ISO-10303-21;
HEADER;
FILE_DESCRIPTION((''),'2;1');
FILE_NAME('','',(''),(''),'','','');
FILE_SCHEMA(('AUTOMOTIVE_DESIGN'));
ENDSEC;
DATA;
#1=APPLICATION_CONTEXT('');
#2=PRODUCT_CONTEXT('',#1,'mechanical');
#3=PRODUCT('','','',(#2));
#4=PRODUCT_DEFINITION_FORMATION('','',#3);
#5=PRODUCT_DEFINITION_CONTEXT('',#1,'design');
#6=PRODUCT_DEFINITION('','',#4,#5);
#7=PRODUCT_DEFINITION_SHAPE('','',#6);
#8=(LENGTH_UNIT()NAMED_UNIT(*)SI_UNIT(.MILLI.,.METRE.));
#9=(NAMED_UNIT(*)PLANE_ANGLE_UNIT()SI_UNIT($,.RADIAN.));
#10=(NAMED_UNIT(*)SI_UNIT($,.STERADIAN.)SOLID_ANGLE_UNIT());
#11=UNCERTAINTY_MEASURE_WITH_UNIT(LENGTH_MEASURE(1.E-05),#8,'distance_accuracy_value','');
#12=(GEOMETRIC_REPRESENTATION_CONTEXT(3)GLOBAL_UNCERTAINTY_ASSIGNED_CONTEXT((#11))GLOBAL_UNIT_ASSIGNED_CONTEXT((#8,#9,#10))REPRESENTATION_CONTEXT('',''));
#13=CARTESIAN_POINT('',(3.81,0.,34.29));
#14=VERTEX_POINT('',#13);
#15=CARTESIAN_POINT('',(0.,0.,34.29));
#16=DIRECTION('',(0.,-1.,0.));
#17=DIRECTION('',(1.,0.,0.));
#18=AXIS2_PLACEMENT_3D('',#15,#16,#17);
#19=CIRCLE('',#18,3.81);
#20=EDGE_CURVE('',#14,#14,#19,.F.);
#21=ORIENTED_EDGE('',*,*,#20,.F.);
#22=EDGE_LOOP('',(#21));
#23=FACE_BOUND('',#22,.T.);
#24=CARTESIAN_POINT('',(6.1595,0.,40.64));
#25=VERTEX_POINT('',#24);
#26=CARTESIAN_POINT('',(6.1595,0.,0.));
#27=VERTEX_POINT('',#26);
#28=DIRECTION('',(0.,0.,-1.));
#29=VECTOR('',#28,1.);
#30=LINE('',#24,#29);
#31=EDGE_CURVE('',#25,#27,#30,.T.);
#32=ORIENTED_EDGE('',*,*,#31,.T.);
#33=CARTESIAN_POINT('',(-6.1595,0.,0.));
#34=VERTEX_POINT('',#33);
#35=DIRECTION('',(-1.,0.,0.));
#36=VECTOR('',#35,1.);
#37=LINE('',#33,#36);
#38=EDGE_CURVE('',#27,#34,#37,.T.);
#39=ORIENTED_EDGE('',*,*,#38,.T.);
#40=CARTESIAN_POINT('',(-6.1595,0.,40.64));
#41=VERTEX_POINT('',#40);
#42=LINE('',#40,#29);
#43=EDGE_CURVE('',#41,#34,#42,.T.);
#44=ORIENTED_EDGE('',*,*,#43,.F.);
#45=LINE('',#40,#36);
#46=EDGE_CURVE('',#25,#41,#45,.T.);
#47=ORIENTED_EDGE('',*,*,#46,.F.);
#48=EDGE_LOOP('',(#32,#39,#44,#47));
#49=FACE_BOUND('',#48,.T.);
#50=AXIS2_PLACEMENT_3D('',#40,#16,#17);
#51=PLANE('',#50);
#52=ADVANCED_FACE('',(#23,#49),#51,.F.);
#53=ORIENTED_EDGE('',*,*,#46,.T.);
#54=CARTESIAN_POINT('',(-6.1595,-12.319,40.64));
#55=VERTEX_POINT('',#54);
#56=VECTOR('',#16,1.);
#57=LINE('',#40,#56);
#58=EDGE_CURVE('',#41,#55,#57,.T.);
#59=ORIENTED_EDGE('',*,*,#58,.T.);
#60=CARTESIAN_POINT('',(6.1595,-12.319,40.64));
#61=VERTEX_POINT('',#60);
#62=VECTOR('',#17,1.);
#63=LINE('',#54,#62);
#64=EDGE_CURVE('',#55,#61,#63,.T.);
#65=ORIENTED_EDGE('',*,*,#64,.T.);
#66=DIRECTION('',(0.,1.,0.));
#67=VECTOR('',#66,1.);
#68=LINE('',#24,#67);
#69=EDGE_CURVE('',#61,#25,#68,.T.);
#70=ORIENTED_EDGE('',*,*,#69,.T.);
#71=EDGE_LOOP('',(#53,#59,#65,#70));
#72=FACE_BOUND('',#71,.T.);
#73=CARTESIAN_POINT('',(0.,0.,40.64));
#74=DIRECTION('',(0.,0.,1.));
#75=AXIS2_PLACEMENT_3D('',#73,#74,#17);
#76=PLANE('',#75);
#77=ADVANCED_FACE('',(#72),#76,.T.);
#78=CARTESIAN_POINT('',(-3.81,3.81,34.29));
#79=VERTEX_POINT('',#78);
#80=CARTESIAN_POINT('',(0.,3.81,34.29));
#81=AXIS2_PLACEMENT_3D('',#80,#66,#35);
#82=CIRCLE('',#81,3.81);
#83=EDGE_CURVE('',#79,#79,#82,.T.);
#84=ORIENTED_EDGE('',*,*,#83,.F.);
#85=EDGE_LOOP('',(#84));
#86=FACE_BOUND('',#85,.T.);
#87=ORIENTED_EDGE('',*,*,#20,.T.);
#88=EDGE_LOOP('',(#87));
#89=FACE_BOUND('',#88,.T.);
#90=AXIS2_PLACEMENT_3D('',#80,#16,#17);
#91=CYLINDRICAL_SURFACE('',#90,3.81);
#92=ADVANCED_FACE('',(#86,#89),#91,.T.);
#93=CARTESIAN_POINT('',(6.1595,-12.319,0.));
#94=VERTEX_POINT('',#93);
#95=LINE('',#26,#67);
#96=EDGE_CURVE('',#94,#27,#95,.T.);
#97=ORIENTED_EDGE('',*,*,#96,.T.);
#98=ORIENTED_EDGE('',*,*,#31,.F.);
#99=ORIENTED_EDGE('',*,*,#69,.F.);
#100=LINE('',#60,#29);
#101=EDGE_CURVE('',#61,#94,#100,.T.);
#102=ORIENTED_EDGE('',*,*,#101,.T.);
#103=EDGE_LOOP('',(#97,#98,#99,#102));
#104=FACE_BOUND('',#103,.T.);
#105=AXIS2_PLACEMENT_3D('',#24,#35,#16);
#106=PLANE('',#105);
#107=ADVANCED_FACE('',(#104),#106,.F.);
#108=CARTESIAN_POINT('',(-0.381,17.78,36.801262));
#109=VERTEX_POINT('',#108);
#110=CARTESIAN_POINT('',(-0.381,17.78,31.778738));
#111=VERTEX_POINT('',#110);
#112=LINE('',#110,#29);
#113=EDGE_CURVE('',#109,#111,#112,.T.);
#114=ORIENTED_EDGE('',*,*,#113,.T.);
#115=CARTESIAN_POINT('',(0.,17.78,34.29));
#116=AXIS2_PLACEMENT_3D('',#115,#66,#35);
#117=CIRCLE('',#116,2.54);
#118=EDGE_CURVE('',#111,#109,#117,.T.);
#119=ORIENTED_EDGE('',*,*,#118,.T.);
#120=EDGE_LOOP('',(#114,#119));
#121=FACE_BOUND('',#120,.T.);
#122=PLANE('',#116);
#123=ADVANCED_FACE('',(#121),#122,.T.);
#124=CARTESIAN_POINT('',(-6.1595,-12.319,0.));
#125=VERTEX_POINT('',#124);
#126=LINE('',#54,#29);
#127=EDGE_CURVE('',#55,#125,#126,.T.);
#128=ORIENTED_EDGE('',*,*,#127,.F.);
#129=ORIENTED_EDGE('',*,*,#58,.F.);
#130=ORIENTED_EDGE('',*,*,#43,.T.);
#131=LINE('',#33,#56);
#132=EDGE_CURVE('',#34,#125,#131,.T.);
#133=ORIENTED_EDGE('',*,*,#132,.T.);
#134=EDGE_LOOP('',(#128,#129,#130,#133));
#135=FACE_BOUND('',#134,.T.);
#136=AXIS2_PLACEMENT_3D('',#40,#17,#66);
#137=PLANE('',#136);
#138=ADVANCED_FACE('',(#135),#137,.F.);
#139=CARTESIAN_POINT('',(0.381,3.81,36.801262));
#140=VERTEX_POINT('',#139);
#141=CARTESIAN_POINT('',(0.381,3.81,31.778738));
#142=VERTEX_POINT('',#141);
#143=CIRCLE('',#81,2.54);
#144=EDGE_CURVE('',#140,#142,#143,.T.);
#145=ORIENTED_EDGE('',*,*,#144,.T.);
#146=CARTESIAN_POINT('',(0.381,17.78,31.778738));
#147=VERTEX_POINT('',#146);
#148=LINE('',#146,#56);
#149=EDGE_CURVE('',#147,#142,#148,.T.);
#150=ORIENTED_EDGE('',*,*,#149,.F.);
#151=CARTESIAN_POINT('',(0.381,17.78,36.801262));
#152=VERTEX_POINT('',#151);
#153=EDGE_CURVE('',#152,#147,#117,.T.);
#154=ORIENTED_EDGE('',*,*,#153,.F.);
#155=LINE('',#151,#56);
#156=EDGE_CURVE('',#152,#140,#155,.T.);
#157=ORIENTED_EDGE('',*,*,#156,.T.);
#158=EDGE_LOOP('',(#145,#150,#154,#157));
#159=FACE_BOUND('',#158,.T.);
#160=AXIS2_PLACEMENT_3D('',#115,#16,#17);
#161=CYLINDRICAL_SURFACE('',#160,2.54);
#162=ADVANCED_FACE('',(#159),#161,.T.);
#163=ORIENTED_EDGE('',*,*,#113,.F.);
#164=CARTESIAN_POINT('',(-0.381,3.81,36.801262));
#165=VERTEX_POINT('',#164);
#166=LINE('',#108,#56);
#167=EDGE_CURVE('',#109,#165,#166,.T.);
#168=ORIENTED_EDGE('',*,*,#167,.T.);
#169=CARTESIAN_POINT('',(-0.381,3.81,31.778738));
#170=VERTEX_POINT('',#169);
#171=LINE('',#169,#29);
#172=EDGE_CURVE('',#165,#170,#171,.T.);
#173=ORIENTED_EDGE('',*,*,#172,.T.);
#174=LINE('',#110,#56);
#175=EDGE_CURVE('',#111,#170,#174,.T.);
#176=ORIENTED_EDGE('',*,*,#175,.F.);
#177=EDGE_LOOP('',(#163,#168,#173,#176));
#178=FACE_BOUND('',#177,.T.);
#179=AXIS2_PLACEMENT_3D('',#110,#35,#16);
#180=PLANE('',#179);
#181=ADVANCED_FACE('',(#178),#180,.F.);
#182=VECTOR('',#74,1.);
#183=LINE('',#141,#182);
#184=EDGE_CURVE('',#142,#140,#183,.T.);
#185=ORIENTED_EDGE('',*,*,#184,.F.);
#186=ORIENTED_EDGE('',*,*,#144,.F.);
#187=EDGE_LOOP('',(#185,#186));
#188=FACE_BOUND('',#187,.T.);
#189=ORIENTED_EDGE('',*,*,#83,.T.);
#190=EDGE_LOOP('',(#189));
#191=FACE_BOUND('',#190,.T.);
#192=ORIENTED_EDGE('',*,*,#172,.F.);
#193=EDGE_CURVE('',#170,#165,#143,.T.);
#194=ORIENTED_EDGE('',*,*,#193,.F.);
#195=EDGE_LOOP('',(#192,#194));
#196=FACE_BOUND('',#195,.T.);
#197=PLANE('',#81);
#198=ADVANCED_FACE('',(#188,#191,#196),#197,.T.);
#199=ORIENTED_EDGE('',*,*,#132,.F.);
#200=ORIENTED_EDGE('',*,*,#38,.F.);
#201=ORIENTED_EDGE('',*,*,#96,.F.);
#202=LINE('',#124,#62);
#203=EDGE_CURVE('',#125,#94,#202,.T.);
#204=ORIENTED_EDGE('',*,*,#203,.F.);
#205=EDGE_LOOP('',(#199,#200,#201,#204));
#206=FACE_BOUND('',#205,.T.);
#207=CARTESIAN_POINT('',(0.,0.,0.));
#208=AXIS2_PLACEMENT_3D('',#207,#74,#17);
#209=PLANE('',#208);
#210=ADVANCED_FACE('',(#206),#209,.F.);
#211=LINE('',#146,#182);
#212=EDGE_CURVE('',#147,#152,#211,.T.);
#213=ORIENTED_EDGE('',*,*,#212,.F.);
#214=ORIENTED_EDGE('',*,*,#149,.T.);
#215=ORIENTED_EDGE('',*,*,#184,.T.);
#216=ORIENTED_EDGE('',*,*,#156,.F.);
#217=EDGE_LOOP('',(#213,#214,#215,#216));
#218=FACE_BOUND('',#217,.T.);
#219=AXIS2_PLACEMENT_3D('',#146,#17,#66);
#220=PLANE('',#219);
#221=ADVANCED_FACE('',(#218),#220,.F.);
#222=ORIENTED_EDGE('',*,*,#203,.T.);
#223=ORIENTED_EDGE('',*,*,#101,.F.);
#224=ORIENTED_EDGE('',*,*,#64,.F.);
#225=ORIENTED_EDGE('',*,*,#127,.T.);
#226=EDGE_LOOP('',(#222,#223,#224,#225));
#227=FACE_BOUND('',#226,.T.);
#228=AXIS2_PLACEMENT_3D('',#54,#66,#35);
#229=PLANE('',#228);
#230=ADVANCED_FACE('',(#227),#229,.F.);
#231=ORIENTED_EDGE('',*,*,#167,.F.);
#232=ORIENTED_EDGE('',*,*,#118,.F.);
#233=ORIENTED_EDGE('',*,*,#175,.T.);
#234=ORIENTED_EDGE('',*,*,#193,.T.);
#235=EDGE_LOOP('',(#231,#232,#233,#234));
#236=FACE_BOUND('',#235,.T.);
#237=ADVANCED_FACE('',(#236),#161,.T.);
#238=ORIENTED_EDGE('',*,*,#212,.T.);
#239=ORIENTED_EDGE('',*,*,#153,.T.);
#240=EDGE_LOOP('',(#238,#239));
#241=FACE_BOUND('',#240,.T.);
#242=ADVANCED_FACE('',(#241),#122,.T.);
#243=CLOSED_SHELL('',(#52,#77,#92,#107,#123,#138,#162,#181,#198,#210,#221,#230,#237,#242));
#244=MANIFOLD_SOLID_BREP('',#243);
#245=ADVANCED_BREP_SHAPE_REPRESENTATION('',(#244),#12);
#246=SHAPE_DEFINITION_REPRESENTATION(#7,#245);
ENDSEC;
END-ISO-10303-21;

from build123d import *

# Parameters (mm, degrees)
SKETCH1_W           = 12.319
SKETCH1_H           = 12.319
BOSS_EXTRUDE1_DEPTH = 40.64
BOSS_EXTRUDE2_DEPTH = 17.78
SKETCH3_R           = 3.81
BOSS_EXTRUDE3_DEPTH = 3.81


with BuildPart() as part:
    # Sketch1 → Boss-Extrude1 (new body)
    with BuildSketch(Plane.XY):
        with Locations((0, -6.1595)):
            Rectangle(SKETCH1_W, SKETCH1_H)
    extrude(amount=BOSS_EXTRUDE1_DEPTH)

    # Sketch2 → Boss-Extrude2 (add)
    with BuildSketch(Plane(origin=(0, 0, 0), x_dir=(1, 0, 0), z_dir=(0, 1, 0))):
        with BuildLine():
            Line((-0.381, -31.778737568), (-0.381, -36.801262432))
            ThreePointArc((-0.381, -36.801262432), (-2.54, -34.29), (-0.381, -31.778737568))
        make_face()
        with BuildLine():
            Line((0.381, -31.778737568), (0.381, -36.801262432))
            ThreePointArc((0.381, -36.801262432), (2.54, -34.29), (0.381, -31.778737568))
        make_face()
    extrude(amount=BOSS_EXTRUDE2_DEPTH)

    # Sketch3 → Boss-Extrude3 (add)
    with BuildSketch(Plane(origin=(0, 0, 0), x_dir=(1, 0, 0), z_dir=(0, 1, 0))):
        with Locations((0, -34.29)):
            Circle(SKETCH3_R)
    extrude(amount=BOSS_EXTRUDE3_DEPTH)


solid = part.part
